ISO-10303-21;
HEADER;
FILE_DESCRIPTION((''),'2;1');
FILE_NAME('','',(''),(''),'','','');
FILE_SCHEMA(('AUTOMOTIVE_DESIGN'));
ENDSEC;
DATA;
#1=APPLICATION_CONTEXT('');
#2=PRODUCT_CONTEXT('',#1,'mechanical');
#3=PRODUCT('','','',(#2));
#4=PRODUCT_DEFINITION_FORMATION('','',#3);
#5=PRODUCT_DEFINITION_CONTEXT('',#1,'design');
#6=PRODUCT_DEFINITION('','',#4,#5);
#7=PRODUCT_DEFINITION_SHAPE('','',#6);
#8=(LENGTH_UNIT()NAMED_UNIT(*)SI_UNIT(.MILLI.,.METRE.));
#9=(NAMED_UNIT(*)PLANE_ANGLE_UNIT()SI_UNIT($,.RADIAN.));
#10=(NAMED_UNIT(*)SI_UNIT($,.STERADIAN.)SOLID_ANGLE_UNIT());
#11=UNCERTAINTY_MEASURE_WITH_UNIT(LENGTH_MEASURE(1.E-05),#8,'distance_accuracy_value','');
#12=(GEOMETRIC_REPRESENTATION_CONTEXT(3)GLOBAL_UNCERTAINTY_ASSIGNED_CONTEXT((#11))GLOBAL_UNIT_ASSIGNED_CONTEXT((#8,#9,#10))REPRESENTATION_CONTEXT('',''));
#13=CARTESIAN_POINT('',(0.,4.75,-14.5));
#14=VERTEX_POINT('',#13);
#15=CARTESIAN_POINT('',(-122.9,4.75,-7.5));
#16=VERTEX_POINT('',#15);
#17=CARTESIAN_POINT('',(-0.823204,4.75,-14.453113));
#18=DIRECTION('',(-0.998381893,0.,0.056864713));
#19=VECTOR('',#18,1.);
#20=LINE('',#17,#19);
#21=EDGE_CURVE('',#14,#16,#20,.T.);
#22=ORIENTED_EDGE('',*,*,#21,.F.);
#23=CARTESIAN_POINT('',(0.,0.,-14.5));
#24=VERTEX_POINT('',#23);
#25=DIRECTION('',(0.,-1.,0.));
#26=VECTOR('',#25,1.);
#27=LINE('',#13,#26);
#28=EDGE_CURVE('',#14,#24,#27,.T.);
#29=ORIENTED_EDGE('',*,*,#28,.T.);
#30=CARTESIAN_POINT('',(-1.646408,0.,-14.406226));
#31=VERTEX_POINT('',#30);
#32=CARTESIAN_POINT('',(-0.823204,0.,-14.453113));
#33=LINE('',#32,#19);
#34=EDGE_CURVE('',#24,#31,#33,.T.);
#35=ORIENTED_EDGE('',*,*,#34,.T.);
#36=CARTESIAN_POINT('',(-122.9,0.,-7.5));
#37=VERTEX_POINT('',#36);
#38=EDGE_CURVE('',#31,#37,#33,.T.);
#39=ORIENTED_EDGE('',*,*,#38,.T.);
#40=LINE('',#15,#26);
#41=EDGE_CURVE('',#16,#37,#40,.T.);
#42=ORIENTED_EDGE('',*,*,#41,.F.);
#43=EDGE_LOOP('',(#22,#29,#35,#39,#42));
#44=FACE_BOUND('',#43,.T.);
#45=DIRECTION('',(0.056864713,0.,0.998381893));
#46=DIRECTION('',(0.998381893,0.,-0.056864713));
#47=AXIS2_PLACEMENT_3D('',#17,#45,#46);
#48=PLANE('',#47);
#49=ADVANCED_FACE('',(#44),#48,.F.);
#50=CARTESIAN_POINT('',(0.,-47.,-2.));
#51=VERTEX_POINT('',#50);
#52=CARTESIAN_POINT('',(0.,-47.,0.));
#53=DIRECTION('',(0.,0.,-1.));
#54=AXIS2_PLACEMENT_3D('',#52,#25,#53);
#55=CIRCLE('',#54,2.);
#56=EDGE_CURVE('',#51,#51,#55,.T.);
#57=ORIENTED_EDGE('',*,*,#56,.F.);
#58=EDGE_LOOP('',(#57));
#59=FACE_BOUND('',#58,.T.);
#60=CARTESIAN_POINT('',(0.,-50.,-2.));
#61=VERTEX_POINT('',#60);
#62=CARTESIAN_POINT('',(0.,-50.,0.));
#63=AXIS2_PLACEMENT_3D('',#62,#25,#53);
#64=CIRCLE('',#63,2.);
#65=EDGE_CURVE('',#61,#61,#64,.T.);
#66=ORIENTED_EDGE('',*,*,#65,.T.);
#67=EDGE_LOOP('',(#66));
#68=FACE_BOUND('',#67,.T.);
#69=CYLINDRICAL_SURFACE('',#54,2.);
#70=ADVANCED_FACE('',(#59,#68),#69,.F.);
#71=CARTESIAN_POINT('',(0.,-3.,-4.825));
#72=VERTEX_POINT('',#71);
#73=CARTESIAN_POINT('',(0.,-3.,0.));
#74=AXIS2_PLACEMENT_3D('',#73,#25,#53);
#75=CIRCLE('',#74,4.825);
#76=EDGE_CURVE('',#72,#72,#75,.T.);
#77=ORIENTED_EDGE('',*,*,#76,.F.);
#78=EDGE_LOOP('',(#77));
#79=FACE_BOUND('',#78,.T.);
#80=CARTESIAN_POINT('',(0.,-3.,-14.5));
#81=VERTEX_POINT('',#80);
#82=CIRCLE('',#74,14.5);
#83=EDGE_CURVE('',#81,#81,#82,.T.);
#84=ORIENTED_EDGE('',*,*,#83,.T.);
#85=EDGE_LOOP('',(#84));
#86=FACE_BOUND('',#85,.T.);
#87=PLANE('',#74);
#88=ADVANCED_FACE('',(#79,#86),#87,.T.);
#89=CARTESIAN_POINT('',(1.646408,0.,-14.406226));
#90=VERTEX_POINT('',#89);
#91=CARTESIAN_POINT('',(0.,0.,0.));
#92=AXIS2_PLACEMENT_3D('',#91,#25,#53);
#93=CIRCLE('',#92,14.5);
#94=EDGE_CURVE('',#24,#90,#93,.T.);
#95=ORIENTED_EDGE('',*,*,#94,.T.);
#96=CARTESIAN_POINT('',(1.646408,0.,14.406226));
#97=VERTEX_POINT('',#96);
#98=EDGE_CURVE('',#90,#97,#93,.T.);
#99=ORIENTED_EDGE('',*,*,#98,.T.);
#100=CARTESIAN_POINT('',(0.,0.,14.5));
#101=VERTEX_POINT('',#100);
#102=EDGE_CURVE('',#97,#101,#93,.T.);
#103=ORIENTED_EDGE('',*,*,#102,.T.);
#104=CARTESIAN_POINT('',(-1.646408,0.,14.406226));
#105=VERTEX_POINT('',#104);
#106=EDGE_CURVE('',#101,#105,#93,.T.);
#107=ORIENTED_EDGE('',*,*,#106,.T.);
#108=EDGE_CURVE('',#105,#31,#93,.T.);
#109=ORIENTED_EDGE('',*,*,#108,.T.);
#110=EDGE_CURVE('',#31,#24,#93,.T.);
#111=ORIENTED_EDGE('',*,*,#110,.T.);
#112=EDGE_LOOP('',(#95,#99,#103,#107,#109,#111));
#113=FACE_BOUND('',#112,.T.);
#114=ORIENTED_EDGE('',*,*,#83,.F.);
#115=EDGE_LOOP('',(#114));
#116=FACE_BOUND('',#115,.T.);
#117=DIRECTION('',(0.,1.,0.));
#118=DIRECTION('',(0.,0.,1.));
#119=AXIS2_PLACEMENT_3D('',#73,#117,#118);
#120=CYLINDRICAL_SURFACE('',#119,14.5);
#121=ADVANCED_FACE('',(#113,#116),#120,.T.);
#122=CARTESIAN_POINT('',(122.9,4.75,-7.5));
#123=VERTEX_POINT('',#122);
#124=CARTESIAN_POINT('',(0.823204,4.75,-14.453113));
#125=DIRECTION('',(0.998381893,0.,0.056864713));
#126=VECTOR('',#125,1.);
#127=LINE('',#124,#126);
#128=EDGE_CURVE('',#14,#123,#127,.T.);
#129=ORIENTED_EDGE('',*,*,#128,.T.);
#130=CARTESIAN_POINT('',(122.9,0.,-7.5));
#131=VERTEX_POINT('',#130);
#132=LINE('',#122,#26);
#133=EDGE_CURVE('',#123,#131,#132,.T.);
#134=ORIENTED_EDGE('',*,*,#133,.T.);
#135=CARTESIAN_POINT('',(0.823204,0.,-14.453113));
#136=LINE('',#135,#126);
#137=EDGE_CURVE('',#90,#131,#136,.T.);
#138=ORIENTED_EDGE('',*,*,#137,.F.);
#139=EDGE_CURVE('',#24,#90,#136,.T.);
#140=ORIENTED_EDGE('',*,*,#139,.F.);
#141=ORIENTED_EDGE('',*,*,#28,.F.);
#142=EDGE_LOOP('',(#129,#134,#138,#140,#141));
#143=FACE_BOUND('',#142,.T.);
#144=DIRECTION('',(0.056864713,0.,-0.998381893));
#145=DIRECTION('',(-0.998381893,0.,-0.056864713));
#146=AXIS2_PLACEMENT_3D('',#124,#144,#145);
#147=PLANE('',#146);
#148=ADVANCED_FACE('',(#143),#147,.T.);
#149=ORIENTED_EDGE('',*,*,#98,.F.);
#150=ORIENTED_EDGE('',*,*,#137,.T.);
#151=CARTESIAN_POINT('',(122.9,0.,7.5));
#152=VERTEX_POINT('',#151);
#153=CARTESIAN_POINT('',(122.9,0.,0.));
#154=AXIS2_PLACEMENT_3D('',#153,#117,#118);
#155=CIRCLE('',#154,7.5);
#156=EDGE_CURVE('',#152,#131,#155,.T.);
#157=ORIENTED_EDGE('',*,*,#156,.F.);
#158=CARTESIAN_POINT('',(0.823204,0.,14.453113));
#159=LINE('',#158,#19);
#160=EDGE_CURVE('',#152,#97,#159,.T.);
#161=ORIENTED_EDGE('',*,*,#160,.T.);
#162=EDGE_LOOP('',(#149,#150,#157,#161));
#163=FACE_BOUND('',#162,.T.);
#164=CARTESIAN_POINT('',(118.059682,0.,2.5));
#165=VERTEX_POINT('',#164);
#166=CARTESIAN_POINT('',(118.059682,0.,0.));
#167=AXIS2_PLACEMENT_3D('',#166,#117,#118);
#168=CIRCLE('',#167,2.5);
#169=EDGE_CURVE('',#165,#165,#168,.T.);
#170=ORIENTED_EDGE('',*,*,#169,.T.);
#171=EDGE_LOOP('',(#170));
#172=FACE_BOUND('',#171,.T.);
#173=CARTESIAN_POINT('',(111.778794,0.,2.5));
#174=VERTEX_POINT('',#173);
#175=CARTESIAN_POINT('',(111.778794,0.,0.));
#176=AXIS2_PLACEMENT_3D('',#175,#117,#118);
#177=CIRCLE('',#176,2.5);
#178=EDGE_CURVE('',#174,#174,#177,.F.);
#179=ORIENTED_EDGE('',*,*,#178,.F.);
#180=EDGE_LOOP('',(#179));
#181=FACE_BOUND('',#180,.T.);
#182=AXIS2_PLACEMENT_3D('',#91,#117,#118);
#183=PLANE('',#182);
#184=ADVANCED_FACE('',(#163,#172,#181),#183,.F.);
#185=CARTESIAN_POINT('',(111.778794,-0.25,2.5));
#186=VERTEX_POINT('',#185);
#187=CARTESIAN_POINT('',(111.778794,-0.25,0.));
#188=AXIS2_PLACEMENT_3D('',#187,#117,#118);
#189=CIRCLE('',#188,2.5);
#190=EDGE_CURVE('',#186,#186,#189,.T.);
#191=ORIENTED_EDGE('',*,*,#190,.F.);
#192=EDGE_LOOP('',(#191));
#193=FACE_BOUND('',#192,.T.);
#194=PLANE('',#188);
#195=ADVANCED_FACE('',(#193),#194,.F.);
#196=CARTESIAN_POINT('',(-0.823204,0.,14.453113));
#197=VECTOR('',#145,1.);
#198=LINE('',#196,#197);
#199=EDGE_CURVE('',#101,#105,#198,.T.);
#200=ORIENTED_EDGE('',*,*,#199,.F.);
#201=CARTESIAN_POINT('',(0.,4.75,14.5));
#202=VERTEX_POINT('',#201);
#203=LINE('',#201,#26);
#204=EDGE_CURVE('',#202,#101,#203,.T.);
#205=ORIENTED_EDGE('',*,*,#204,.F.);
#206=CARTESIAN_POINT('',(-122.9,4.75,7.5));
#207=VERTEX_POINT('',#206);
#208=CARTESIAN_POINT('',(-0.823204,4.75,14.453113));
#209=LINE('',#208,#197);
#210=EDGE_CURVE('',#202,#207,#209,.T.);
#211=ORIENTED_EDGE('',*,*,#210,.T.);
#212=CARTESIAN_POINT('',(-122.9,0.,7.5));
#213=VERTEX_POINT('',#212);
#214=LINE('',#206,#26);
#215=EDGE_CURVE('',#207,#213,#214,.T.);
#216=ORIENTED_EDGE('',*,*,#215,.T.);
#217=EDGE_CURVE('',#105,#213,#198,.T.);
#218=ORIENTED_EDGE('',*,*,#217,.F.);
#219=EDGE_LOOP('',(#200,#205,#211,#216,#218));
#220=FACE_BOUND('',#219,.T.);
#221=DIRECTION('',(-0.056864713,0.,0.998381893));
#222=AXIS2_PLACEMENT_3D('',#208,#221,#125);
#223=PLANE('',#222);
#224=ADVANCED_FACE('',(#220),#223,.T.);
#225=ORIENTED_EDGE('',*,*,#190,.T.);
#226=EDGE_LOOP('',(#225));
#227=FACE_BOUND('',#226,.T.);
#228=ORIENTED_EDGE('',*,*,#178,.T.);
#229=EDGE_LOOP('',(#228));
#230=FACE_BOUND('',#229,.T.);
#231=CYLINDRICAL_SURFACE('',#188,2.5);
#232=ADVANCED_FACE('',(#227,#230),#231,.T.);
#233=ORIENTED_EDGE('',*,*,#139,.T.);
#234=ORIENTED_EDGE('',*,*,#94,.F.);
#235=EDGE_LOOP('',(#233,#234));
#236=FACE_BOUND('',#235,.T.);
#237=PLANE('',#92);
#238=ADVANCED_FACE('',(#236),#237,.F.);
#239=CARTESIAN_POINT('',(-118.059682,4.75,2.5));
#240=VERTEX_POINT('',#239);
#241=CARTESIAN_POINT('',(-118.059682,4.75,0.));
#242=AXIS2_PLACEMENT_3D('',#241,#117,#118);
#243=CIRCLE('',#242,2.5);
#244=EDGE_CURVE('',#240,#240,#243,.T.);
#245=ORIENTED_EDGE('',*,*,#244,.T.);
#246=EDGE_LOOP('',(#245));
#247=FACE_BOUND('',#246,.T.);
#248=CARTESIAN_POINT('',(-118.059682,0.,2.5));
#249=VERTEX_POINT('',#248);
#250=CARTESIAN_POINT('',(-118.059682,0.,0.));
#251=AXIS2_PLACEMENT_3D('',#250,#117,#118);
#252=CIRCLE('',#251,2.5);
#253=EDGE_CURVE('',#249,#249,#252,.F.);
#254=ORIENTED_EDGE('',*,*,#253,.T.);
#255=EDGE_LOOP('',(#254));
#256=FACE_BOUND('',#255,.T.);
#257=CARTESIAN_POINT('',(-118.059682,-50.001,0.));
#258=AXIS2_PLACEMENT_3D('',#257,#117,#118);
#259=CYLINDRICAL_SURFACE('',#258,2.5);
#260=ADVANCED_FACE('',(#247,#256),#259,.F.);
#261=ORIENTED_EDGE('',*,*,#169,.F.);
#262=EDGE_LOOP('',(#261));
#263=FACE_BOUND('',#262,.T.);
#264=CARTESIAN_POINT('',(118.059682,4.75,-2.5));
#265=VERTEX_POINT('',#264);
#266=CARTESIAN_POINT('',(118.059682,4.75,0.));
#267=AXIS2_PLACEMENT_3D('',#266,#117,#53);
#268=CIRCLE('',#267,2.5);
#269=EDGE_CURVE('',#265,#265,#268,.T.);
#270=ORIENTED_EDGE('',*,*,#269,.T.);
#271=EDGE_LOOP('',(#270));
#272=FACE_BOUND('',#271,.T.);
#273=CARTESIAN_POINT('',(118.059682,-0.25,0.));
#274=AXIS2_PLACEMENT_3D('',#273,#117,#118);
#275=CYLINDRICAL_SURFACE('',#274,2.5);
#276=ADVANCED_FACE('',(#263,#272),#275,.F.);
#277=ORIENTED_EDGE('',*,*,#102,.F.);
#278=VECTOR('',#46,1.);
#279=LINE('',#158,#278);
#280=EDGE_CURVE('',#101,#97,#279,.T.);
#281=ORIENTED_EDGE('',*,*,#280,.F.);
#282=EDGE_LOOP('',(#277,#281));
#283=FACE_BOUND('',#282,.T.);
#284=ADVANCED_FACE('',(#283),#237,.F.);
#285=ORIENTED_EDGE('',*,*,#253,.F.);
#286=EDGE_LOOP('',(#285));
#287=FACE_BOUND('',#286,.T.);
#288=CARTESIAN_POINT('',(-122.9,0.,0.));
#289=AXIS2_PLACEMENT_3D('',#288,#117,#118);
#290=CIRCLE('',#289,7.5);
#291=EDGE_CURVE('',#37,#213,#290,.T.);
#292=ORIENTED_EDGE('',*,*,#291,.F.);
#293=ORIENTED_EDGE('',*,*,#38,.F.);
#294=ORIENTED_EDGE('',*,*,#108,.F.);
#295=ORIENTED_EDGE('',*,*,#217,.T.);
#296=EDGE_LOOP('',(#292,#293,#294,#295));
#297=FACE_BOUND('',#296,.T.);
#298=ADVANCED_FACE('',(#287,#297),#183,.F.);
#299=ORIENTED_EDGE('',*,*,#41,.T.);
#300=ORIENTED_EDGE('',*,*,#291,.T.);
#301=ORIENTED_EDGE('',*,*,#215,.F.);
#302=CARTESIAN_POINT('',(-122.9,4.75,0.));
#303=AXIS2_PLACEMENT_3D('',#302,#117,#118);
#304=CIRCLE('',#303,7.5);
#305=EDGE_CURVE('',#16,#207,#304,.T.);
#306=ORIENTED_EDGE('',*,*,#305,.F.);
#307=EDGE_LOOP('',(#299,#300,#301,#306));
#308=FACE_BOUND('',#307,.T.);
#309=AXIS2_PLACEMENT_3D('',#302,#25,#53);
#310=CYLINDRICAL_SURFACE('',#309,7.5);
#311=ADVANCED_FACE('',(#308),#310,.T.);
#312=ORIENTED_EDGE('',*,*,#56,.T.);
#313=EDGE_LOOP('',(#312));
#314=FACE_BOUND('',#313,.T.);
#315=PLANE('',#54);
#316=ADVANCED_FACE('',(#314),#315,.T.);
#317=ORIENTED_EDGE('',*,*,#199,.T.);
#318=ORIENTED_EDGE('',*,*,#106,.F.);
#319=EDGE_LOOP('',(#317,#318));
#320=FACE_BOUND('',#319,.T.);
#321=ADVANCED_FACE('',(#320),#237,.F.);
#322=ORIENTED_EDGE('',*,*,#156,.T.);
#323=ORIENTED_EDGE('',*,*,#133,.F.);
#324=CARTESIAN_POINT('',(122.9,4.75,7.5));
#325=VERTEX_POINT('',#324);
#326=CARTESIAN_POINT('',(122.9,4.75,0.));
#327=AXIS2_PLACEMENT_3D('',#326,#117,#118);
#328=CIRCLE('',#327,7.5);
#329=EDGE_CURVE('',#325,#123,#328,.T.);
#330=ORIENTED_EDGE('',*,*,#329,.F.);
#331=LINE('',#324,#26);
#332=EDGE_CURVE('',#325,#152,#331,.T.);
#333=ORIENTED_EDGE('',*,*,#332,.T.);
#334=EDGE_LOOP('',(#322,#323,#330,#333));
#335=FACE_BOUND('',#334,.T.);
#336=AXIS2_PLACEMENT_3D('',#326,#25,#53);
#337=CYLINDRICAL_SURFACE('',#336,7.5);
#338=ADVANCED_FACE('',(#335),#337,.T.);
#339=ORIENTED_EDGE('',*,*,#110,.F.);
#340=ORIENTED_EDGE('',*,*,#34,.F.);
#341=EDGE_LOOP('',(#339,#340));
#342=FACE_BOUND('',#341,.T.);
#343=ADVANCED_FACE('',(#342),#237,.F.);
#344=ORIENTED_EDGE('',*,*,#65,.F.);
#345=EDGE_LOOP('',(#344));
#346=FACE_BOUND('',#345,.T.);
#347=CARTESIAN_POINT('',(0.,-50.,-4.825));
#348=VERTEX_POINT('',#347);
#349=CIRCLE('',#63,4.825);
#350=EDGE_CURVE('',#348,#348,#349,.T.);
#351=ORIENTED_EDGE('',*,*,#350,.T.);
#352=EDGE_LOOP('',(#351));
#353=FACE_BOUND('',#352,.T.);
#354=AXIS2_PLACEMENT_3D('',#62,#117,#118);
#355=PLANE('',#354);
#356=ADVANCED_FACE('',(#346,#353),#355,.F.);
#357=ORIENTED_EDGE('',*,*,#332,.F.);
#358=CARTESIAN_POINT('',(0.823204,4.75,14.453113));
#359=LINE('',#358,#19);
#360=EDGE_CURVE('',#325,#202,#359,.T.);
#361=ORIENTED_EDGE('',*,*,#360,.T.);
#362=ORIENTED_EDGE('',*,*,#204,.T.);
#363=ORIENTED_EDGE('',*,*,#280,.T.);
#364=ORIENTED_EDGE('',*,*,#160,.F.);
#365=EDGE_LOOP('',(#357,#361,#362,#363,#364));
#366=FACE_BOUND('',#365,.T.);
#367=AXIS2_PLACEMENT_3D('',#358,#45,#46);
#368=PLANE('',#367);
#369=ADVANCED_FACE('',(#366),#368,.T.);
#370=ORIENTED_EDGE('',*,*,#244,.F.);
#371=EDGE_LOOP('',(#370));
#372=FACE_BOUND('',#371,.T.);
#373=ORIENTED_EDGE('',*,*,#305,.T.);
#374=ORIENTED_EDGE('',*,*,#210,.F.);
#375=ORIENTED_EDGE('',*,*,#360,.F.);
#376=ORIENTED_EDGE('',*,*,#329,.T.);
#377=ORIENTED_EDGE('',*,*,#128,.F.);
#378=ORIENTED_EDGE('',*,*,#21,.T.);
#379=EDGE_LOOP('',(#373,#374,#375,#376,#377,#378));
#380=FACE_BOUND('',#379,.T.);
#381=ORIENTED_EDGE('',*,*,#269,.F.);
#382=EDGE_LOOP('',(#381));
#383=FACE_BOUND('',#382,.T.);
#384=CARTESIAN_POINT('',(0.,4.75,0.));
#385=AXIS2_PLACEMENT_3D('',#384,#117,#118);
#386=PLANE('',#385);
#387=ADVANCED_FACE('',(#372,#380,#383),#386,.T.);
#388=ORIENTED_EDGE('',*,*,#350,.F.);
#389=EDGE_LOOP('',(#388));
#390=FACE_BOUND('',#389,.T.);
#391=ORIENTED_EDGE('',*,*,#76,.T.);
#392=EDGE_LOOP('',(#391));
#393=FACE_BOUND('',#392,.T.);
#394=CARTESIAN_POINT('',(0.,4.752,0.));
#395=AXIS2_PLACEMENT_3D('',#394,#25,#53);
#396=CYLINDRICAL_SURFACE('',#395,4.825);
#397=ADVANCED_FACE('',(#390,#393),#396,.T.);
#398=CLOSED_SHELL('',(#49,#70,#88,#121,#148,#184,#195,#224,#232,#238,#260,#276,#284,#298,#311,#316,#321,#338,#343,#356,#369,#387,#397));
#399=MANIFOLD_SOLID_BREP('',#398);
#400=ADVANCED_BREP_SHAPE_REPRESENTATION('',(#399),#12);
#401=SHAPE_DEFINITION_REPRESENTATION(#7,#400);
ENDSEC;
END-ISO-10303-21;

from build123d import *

# Parameters (mm, degrees)
BOSS_EXTRUDE1_DEPTH = 4.75
SKETCH1_4_R         = 4.75
BOSS_EXTRUDE2_DEPTH = 50
SKETCH3_R           = 14.5
BOSS_EXTRUDE3_DEPTH = 3
CUT_EXTRUDE1_REACH  = 56.75
SKETCH4_R           = 2.5
SKETCH5_R           = 2.5
CUT_EXTRUDE2_DEPTH  = 5
SKETCH6_R           = 2.5
BOSS_EXTRUDE5_DEPTH = 5
BOSS_EXTRUDE6_REACH = 56.75
SKETCH7_R           = 4.825
SKETCH8_R           = 2
CUT_EXTRUDE3_DEPTH  = 3


with BuildPart() as part:
    # Sketch1 → Boss-Extrude1 (new body)
    with BuildSketch(Plane(origin=(0, 0, 0), x_dir=(1, 0, 0), z_dir=(0, 1, 0))):
        with BuildLine():
            Line((0, 14.5), (-122.9, 7.5))
            ThreePointArc((-122.9, 7.5), (-130.4, 0), (-122.9, -7.5))
            Line((-122.9, -7.5), (0, -14.5))
            Line((0, -14.5), (122.9, -7.5))
            ThreePointArc((122.9, -7.5), (130.4, 0), (122.9, 7.5))
            Line((122.9, 7.5), (0, 14.5))
        make_face()
    extrude(amount=BOSS_EXTRUDE1_DEPTH)

    # Sketch1<4> → Boss-Extrude2 (add)
    with BuildSketch(Plane(origin=(0, 0, 0), x_dir=(1, 0, 0), z_dir=(0, 1, 0))):
        Circle(SKETCH1_4_R)
    extrude(amount=-BOSS_EXTRUDE2_DEPTH)

    # Sketch3 → Boss-Extrude3 (add)
    with BuildSketch(Plane.XZ):
        Circle(SKETCH3_R)
    extrude(amount=BOSS_EXTRUDE3_DEPTH)

    # Sketch4 → Cut-Extrude1 (cut, up to next)
    with BuildSketch(Plane(origin=(0, 4.75, 0), x_dir=(1, 0, 0), z_dir=(0, 1, 0)), mode=Mode.PRIVATE) as cut_extrude1_sk1:
        with Locations((111.778793877, 0)):
            Circle(SKETCH4_R)
    cut_extrude1_tool1 = extrude(cut_extrude1_sk1.sketch, amount=-CUT_EXTRUDE1_REACH, mode=Mode.PRIVATE) & part.part
    add(cut_extrude1_tool1.solids().sort_by_distance((111.778794, 4.75, 0))[0], mode=Mode.SUBTRACT)
    # Sketch4 → Cut-Extrude1 (cut, up to next)
    with BuildSketch(Plane(origin=(0, 4.75, 0), x_dir=(1, 0, 0), z_dir=(0, 1, 0)), mode=Mode.PRIVATE) as cut_extrude1_sk2:
        with Locations((-118.05968216, 0)):
            Circle(SKETCH4_R)
    cut_extrude1_tool2 = extrude(cut_extrude1_sk2.sketch, amount=-CUT_EXTRUDE1_REACH, mode=Mode.PRIVATE) & part.part
    add(cut_extrude1_tool2.solids().sort_by_distance((-118.059682, 4.75, 0))[0], mode=Mode.SUBTRACT)

    # Sketch5 → Cut-Extrude2 (cut)
    with BuildSketch(Plane(origin=(0, 4.75, 0), x_dir=(1, 0, 0), z_dir=(0, 1, 0))):
        with Locations((-118.05968216, 0)):
            Circle(SKETCH5_R)
        with Locations((118.05968216, 0)):
            Circle(SKETCH5_R)
    extrude(amount=-CUT_EXTRUDE2_DEPTH, mode=Mode.SUBTRACT)

    # Sketch6 → Boss-Extrude5 (add)
    with BuildSketch(Plane(origin=(0, 4.75, 0), x_dir=(1, 0, 0), z_dir=(0, 1, 0))):
        with Locations((111.778793877, 0)):
            Circle(SKETCH6_R)
    extrude(amount=-BOSS_EXTRUDE5_DEPTH)

    # Sketch7 → Boss-Extrude6 (add, up to next)
    with BuildSketch(Plane(origin=(0, -50, 0), x_dir=(-1, 0, 0), z_dir=(0, -1, 0)), mode=Mode.PRIVATE) as boss_extrude6_sk1:
        Circle(SKETCH7_R)
    boss_extrude6_tool1 = extrude(boss_extrude6_sk1.sketch, amount=-BOSS_EXTRUDE6_REACH, mode=Mode.PRIVATE) - part.part
    add(boss_extrude6_tool1.solids().sort_by_distance((0, -50, 0))[0])

    # Sketch8 → Cut-Extrude3 (cut)
    with BuildSketch(Plane.XZ.offset(50)):
        Circle(SKETCH8_R)
    extrude(amount=-CUT_EXTRUDE3_DEPTH, mode=Mode.SUBTRACT)


solid = part.part
